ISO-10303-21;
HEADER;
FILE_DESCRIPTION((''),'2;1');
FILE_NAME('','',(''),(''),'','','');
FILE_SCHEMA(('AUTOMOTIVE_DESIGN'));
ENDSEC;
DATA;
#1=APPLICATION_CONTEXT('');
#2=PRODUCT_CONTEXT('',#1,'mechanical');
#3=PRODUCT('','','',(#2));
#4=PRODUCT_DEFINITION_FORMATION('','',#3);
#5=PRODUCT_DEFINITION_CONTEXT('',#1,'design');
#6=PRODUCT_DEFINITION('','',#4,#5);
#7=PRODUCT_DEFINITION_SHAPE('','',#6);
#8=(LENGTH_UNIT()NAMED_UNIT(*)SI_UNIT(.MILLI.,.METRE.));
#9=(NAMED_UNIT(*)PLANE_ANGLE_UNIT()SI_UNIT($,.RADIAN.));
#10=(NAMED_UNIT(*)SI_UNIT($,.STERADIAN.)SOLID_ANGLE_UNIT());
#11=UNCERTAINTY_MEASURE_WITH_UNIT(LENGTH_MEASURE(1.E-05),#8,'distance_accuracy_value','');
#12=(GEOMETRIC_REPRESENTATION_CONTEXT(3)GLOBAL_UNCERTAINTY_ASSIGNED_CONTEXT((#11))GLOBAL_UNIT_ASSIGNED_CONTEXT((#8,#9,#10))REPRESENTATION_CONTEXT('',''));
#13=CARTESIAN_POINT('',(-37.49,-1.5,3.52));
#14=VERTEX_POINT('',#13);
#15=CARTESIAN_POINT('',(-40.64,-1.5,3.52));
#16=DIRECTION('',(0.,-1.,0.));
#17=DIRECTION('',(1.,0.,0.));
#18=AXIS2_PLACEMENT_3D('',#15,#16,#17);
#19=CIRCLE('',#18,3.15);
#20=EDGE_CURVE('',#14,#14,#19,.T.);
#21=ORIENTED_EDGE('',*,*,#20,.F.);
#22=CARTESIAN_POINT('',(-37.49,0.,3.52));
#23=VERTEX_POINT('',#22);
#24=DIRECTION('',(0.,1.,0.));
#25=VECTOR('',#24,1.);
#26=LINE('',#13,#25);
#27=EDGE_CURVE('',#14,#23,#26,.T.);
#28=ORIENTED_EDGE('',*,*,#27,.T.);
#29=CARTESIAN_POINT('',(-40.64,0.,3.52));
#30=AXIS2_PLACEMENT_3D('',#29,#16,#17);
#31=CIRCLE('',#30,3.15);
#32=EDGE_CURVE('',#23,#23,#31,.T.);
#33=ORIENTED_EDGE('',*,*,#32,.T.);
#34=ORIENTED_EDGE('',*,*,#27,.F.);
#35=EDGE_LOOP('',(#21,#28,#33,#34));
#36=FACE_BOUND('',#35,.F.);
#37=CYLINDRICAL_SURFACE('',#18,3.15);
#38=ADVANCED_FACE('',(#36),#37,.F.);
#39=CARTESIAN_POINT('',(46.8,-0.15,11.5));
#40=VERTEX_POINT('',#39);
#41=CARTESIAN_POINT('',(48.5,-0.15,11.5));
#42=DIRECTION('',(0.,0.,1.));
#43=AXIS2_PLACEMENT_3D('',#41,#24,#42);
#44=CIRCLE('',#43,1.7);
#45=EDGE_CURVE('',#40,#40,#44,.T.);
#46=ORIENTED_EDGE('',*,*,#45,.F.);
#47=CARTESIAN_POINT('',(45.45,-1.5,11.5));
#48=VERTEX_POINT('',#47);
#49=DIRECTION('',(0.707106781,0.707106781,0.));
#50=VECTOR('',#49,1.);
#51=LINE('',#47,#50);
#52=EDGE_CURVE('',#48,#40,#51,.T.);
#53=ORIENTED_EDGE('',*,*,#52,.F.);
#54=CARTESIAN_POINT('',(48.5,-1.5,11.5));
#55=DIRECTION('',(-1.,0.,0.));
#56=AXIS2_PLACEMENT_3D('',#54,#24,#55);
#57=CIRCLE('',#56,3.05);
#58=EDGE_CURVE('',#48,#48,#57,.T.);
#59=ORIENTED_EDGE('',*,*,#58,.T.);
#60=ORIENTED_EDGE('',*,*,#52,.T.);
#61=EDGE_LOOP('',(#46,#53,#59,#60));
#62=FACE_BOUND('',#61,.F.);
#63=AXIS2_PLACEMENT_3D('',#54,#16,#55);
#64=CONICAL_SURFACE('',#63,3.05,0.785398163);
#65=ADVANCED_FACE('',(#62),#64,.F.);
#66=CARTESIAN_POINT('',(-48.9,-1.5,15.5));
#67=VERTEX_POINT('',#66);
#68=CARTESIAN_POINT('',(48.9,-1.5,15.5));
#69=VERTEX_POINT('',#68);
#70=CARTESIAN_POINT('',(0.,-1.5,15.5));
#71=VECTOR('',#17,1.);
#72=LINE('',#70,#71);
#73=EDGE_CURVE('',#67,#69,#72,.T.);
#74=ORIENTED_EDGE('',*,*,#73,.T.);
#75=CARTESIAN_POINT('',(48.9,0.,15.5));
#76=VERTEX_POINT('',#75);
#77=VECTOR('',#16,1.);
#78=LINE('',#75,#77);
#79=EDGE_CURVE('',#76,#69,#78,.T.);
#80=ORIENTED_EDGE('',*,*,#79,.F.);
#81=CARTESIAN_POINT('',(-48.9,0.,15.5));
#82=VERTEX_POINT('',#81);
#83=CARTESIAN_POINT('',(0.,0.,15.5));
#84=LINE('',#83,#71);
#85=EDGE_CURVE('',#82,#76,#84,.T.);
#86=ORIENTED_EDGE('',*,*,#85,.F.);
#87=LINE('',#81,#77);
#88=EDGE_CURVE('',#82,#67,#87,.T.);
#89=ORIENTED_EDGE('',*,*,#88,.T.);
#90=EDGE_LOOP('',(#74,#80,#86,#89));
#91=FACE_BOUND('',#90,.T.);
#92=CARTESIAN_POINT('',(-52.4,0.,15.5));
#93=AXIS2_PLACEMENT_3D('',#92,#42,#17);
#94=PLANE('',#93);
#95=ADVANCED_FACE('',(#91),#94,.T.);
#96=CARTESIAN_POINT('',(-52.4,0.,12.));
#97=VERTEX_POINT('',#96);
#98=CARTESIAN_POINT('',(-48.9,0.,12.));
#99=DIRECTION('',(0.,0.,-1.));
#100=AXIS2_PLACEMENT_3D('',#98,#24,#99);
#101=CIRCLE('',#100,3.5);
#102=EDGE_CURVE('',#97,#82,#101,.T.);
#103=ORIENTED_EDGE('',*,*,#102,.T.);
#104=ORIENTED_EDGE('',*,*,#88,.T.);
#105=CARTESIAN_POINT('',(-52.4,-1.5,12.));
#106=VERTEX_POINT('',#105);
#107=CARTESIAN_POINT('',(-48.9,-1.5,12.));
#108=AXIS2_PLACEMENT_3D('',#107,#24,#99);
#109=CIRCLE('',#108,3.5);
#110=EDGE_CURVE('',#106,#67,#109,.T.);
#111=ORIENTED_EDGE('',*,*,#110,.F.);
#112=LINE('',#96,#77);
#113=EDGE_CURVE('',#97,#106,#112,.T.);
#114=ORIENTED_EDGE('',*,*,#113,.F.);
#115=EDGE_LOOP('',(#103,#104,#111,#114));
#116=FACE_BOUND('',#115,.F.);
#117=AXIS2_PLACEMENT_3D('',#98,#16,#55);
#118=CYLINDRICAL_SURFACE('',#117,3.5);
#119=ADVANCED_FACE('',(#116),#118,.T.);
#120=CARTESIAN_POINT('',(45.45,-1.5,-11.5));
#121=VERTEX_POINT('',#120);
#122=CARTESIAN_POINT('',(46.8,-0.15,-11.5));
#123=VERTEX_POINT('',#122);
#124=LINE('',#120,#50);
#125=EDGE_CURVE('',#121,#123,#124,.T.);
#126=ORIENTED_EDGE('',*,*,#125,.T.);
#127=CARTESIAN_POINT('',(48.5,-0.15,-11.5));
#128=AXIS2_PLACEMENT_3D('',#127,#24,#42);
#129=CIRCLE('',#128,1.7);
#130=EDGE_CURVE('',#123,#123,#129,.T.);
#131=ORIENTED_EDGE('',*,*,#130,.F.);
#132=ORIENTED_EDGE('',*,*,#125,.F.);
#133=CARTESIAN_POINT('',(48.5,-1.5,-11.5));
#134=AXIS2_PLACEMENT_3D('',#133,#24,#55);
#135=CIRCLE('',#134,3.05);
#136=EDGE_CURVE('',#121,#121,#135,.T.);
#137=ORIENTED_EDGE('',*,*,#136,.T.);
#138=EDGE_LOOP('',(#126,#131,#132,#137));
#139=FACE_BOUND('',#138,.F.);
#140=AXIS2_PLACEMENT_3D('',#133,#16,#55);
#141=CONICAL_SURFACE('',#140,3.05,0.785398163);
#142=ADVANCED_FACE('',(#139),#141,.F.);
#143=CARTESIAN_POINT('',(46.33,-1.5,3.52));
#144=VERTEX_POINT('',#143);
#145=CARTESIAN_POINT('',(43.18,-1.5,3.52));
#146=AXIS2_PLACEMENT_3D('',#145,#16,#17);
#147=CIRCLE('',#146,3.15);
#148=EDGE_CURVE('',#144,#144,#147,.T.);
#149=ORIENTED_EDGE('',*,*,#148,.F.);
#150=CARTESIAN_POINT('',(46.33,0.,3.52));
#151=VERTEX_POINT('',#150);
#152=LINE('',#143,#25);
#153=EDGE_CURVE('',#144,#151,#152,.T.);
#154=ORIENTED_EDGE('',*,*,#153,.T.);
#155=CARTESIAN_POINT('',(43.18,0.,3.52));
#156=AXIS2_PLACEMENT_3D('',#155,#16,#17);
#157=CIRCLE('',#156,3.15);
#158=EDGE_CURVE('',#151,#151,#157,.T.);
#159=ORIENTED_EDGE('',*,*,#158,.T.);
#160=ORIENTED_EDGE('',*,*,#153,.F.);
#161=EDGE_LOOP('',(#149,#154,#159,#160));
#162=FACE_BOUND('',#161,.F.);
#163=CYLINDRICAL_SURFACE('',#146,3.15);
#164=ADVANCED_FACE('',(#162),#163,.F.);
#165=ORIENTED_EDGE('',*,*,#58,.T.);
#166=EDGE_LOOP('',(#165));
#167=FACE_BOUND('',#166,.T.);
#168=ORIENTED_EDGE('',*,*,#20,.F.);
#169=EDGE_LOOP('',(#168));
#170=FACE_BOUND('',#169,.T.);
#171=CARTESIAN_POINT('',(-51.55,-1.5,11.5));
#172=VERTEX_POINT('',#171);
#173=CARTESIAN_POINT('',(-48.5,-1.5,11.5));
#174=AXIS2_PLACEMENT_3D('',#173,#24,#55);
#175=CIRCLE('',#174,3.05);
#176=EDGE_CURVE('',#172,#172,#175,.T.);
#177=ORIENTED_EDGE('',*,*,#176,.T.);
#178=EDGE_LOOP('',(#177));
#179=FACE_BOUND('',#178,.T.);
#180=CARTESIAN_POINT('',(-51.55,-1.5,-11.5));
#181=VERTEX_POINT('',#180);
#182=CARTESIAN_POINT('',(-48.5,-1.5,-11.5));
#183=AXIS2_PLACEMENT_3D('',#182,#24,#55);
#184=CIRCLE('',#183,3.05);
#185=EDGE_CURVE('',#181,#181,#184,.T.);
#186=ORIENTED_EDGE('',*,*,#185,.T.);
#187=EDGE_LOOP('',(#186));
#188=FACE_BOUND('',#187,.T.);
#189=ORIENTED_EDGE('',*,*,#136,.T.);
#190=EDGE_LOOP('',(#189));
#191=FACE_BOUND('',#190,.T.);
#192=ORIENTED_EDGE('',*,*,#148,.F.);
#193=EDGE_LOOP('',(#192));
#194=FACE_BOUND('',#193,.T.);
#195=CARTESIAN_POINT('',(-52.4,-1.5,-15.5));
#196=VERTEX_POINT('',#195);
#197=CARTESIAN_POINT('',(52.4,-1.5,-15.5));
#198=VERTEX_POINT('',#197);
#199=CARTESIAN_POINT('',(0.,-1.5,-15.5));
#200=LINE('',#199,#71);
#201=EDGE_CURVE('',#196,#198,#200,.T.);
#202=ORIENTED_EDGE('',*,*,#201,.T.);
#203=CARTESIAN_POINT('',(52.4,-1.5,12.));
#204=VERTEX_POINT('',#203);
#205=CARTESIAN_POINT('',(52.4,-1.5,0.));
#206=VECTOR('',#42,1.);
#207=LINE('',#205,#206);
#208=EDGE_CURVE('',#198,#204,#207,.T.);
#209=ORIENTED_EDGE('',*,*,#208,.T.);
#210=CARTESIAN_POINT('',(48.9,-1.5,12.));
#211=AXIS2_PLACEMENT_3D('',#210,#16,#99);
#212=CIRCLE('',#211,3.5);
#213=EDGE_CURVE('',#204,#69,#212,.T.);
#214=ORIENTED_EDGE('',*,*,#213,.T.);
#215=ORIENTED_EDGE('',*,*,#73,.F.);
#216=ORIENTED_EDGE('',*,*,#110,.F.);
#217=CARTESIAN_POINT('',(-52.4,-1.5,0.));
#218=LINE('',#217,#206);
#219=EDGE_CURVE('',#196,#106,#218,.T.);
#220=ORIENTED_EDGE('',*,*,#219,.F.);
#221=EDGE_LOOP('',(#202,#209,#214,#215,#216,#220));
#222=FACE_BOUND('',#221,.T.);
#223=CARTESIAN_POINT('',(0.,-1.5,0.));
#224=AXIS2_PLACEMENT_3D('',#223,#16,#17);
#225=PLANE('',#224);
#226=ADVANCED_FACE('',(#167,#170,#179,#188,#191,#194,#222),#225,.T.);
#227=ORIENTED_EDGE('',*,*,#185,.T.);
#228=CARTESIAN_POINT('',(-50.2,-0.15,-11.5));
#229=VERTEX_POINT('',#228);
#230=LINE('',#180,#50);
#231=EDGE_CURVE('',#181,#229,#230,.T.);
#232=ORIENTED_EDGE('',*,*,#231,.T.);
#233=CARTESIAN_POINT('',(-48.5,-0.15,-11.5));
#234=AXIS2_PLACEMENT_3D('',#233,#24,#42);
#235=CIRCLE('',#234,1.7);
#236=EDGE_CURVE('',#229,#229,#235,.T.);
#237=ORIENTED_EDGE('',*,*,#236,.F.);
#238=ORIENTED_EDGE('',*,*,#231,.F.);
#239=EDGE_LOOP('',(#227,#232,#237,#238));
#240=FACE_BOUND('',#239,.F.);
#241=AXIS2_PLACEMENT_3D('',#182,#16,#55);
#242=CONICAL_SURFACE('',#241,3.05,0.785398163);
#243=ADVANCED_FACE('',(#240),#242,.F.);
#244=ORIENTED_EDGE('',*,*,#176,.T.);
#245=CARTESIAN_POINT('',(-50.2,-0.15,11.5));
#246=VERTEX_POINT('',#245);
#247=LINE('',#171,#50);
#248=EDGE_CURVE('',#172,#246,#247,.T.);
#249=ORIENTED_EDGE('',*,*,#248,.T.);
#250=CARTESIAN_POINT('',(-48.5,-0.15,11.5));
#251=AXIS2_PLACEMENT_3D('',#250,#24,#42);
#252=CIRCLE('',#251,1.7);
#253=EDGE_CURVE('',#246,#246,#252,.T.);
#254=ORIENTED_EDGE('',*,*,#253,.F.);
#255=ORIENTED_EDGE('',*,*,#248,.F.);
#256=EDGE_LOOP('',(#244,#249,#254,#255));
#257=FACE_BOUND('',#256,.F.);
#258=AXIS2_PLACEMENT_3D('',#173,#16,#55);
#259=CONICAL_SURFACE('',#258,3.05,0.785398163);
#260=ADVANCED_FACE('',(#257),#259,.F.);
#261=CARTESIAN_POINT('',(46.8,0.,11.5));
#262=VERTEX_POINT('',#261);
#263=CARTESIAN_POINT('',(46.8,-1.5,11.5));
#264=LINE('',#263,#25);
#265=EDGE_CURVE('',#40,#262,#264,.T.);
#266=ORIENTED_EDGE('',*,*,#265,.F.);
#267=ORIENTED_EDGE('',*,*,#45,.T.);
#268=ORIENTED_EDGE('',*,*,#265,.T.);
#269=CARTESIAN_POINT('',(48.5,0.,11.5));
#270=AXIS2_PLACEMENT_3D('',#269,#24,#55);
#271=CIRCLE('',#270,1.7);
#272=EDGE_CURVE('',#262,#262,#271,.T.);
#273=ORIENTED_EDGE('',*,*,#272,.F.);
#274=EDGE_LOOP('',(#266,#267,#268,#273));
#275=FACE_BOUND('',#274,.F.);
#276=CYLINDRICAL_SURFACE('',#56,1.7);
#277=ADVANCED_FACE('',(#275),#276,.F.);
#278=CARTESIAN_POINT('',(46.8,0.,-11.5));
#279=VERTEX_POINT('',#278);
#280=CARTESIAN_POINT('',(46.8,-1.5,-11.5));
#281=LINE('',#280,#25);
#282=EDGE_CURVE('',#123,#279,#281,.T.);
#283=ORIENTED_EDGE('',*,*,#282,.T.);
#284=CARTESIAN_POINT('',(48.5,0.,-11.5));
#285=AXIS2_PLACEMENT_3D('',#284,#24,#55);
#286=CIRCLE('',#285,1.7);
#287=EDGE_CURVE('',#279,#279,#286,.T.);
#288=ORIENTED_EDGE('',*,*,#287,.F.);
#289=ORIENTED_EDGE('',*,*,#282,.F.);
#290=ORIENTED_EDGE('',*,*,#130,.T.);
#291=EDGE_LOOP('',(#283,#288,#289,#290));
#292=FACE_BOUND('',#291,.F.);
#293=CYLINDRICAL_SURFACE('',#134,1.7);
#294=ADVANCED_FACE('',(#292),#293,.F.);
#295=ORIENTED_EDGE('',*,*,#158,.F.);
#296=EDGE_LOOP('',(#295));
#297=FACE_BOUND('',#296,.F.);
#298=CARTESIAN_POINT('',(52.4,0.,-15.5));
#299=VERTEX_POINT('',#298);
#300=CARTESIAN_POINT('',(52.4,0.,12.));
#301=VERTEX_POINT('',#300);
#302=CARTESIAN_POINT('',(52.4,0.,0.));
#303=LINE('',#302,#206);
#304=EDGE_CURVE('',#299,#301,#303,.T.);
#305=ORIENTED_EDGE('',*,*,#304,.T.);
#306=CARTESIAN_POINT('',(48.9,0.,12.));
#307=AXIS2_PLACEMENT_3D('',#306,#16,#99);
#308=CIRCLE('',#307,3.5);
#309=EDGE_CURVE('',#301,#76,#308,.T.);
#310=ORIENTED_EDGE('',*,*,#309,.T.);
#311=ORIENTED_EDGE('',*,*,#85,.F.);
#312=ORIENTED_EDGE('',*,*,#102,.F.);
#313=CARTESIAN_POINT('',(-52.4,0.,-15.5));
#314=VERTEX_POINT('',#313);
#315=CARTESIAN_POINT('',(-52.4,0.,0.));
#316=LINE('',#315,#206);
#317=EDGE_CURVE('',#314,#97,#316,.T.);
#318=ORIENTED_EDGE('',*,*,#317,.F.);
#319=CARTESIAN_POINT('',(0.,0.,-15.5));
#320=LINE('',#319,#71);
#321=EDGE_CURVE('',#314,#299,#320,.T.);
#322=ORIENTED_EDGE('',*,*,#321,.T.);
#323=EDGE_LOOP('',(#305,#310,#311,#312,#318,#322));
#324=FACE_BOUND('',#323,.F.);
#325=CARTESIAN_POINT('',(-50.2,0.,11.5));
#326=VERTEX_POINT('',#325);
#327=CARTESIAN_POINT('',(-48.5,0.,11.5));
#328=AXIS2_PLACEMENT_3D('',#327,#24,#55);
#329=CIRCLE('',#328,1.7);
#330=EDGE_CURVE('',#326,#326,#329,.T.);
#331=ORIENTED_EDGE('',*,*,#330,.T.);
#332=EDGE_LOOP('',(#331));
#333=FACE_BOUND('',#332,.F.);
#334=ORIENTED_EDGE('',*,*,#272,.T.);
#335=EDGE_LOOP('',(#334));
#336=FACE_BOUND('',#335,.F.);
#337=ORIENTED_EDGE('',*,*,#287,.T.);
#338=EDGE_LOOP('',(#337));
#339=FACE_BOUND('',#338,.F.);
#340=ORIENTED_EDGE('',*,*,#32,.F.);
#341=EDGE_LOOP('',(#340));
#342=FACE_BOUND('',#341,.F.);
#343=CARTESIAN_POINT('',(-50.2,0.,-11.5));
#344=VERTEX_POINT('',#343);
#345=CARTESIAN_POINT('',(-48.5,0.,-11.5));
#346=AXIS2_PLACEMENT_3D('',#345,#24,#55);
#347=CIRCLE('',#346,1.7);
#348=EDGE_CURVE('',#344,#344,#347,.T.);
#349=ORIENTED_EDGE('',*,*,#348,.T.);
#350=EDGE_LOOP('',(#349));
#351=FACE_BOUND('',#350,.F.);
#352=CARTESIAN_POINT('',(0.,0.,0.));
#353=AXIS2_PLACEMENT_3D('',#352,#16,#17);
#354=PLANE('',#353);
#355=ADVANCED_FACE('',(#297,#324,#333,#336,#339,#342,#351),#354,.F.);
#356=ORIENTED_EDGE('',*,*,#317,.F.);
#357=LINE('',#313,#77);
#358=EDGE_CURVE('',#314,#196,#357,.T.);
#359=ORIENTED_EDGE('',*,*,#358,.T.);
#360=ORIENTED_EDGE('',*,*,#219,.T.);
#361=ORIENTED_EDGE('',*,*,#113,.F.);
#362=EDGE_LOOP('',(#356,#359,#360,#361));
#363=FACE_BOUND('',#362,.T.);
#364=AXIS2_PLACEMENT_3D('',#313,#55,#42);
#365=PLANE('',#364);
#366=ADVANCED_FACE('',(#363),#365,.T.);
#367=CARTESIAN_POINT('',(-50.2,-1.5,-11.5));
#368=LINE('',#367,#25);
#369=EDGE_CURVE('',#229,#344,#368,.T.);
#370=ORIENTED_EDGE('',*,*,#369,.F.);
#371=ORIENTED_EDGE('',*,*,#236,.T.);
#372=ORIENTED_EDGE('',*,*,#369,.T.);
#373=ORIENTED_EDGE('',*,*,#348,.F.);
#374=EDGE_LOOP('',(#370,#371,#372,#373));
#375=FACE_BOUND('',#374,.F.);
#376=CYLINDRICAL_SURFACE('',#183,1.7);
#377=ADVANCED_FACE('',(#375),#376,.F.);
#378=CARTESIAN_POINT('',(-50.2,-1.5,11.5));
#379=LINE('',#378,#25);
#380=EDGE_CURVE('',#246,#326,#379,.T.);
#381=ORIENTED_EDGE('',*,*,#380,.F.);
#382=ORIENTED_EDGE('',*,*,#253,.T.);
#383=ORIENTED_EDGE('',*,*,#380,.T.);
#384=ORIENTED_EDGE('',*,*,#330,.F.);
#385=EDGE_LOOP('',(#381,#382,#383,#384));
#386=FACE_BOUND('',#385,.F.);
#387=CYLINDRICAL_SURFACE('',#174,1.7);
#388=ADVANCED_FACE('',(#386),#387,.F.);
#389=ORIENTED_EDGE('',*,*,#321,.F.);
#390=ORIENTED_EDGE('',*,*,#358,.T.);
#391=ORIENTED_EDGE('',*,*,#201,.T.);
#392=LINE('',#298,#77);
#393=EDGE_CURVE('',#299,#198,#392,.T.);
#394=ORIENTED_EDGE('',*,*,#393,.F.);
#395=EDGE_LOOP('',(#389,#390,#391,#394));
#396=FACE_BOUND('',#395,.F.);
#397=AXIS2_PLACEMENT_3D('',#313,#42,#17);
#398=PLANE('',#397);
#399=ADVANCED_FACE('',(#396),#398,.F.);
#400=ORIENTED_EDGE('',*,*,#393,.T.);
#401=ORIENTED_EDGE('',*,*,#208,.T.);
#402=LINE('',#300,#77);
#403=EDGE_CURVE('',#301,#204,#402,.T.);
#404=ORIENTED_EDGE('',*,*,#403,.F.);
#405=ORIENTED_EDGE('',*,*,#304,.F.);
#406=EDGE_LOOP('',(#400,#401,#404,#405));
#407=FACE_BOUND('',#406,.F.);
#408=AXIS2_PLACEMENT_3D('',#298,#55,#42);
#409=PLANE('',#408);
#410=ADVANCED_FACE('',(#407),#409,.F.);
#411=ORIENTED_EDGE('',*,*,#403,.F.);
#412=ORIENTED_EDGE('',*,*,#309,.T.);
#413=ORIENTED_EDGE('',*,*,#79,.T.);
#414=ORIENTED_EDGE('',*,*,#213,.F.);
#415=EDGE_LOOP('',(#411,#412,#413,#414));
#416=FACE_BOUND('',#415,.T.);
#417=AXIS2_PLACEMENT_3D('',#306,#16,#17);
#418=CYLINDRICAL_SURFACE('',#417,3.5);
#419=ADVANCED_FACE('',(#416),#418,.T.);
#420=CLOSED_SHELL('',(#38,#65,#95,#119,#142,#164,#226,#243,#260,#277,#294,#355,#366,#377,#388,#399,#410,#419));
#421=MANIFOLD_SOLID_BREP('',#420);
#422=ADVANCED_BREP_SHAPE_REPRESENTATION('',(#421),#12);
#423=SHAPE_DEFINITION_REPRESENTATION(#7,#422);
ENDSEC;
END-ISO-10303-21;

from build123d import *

# Parameters (mm, degrees)
SKETCH_W            = 104.8
SKETCH_H            = 31
PAD_DEPTH           = 1.5
HOLE_D              = 3.4
HOLE_DEPTH          = 25
HOLE_CSINK_D        = 6.1
HOLE_CSINK_ANGLE    = 90
FILLET_R            = 3.5
SKETCH002_R         = 3.15
POCKET_DEPTH        = 1.501
LINEARPATTERN_COUNT = 2
LINEARPATTERN_PITCH = 83.82


with BuildPart() as part:
    # Sketch → Pad (new body)
    with BuildSketch(Plane.XZ):
        Rectangle(SKETCH_W, SKETCH_H)
    extrude(amount=PAD_DEPTH)

    # Hole
    with Locations(Plane.XZ.offset(1.5)):
        with Locations((-48.5, 11.5), (-48.5, -11.5), (48.5, -11.5), (48.5, 11.5)):
            CounterSinkHole(HOLE_D / 2, HOLE_CSINK_D / 2, depth=HOLE_DEPTH, counter_sink_angle=HOLE_CSINK_ANGLE)

    # Fillet
    fillet_edges = [part.edges().sort_by_distance(p)[0] for p in [
        (-52.4, -0.75, 15.5),
        (52.4, -0.75, 15.5),
    ]]
    fillet(fillet_edges, radius=FILLET_R)

    # Sketch002 (on Face5 of Fillet) → Pocket (cut, through all)
    with BuildSketch(Plane.XZ.offset(1.5)):
        with Locations((-40.64, 3.52)):
            Circle(SKETCH002_R)
    pocket = extrude(amount=-POCKET_DEPTH, mode=Mode.SUBTRACT)

    # LinearPattern: Pocket ×2
    with Locations(*[(i * LINEARPATTERN_PITCH, 0, 0) for i in range(1, LINEARPATTERN_COUNT)]):
        add(pocket, mode=Mode.SUBTRACT)


solid = part.part
